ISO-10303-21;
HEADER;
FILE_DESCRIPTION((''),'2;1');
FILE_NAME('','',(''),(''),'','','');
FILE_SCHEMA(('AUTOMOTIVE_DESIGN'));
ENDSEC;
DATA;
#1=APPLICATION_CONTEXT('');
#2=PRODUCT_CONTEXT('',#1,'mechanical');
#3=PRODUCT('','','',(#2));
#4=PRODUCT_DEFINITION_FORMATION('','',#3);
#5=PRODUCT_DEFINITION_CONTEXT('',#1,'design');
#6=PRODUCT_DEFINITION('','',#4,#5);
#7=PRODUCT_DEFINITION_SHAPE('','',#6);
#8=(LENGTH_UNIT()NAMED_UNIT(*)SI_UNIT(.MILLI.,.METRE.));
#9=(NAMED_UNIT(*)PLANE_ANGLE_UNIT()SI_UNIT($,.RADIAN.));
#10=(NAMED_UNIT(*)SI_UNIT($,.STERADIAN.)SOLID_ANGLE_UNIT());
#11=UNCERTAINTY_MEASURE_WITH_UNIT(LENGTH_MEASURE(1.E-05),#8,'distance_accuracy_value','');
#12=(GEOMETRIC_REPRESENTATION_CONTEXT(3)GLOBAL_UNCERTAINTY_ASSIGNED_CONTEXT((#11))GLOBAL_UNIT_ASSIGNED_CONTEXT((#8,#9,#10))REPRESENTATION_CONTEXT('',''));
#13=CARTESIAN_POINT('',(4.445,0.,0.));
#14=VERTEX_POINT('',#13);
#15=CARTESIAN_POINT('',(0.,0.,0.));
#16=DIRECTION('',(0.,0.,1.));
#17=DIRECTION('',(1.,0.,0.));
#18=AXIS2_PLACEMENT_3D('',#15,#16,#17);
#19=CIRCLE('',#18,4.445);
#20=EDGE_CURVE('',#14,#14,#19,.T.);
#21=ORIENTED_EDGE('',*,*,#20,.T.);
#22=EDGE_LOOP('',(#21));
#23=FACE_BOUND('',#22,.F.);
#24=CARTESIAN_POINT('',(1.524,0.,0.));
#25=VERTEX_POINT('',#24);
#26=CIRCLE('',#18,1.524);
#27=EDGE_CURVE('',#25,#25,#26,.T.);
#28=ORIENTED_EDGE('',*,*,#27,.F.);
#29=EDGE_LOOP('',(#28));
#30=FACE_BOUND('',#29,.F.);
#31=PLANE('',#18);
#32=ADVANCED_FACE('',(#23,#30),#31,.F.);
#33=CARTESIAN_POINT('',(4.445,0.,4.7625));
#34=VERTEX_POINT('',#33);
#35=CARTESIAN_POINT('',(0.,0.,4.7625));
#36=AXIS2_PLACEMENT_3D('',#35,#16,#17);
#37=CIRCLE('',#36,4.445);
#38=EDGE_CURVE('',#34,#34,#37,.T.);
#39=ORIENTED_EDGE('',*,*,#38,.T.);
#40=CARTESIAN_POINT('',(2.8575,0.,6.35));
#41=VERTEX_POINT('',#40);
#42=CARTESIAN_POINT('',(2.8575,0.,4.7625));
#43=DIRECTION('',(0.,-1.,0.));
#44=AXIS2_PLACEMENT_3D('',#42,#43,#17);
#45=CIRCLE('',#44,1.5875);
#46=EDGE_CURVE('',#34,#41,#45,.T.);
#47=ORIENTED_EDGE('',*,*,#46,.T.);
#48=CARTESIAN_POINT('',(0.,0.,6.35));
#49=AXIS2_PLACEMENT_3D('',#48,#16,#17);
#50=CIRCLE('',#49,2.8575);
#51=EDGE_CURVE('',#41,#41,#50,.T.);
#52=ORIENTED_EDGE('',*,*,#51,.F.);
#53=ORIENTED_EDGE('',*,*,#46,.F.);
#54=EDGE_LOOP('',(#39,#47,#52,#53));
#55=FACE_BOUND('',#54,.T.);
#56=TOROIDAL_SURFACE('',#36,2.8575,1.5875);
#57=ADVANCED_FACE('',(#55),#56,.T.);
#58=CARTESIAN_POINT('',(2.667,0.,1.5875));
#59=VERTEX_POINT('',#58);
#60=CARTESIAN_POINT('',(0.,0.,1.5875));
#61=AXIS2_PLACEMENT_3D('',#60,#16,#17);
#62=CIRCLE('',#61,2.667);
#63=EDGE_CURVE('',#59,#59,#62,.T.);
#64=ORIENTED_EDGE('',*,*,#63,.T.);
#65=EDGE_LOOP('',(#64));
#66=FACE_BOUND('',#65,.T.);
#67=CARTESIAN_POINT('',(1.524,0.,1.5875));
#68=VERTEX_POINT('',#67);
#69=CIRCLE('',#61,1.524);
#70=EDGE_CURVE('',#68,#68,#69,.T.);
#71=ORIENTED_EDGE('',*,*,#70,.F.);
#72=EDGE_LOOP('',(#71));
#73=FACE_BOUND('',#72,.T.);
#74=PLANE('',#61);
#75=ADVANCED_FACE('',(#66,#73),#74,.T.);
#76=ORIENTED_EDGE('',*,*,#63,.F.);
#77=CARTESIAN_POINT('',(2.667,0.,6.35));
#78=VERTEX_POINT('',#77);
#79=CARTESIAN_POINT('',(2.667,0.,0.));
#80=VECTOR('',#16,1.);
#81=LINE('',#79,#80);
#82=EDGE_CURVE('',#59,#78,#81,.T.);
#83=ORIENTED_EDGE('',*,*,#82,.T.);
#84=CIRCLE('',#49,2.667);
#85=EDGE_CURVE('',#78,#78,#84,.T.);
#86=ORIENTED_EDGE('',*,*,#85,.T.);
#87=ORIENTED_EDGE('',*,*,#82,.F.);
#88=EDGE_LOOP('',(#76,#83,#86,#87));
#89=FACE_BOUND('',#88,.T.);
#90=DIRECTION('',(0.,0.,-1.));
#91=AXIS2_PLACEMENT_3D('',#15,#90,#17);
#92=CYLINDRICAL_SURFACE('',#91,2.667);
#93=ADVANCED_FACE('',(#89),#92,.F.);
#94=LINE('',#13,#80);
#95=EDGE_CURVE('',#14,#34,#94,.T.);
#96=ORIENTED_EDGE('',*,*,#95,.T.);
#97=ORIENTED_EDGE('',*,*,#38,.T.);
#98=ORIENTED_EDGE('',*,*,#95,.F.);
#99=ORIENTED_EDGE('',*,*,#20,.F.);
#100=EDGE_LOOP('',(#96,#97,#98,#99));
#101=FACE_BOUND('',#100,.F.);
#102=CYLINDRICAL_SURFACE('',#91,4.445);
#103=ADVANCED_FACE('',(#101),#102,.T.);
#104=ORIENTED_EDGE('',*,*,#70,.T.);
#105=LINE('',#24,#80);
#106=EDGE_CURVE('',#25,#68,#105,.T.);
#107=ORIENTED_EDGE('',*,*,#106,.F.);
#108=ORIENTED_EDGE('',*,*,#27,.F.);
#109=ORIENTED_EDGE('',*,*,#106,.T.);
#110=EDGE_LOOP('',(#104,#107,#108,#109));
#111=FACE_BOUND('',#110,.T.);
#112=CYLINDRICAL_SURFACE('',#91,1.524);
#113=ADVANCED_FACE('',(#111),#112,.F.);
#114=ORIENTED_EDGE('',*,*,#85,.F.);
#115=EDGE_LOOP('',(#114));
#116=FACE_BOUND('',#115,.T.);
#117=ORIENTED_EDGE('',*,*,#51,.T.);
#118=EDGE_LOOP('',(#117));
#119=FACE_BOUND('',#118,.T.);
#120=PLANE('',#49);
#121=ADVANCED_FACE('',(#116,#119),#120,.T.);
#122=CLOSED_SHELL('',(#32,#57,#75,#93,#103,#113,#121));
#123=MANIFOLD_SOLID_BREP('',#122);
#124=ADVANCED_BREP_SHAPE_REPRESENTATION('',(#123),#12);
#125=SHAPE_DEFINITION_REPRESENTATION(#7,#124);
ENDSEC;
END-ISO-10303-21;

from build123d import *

# Parameters (mm, degrees)
F0_R     = 4.445
F0_R_2   = 2.667
F1_DEPTH = 6.35
F0_R_3   = 1.524
F2_DEPTH = 1.5875
F3_R     = 1.5875


with BuildPart() as f1:
    # F0 (on Top) → F1 (new body)
    with BuildSketch(Plane.XY):
        Circle(F0_R)
        Circle(F0_R_2, mode=Mode.SUBTRACT)
    extrude(amount=F1_DEPTH)

    # F0 (on Top) → F2 (join)
    with BuildSketch(Plane.XY):
        Circle(F0_R_2)
        Circle(F0_R_3, mode=Mode.SUBTRACT)
    extrude(amount=F2_DEPTH)

    # F3
    f3_edges = [f1.edges().sort_by_distance(p)[0] for p in [
        (-4.445, 0, 6.35),
    ]]
    fillet(f3_edges, radius=F3_R)


solid = f1.part
